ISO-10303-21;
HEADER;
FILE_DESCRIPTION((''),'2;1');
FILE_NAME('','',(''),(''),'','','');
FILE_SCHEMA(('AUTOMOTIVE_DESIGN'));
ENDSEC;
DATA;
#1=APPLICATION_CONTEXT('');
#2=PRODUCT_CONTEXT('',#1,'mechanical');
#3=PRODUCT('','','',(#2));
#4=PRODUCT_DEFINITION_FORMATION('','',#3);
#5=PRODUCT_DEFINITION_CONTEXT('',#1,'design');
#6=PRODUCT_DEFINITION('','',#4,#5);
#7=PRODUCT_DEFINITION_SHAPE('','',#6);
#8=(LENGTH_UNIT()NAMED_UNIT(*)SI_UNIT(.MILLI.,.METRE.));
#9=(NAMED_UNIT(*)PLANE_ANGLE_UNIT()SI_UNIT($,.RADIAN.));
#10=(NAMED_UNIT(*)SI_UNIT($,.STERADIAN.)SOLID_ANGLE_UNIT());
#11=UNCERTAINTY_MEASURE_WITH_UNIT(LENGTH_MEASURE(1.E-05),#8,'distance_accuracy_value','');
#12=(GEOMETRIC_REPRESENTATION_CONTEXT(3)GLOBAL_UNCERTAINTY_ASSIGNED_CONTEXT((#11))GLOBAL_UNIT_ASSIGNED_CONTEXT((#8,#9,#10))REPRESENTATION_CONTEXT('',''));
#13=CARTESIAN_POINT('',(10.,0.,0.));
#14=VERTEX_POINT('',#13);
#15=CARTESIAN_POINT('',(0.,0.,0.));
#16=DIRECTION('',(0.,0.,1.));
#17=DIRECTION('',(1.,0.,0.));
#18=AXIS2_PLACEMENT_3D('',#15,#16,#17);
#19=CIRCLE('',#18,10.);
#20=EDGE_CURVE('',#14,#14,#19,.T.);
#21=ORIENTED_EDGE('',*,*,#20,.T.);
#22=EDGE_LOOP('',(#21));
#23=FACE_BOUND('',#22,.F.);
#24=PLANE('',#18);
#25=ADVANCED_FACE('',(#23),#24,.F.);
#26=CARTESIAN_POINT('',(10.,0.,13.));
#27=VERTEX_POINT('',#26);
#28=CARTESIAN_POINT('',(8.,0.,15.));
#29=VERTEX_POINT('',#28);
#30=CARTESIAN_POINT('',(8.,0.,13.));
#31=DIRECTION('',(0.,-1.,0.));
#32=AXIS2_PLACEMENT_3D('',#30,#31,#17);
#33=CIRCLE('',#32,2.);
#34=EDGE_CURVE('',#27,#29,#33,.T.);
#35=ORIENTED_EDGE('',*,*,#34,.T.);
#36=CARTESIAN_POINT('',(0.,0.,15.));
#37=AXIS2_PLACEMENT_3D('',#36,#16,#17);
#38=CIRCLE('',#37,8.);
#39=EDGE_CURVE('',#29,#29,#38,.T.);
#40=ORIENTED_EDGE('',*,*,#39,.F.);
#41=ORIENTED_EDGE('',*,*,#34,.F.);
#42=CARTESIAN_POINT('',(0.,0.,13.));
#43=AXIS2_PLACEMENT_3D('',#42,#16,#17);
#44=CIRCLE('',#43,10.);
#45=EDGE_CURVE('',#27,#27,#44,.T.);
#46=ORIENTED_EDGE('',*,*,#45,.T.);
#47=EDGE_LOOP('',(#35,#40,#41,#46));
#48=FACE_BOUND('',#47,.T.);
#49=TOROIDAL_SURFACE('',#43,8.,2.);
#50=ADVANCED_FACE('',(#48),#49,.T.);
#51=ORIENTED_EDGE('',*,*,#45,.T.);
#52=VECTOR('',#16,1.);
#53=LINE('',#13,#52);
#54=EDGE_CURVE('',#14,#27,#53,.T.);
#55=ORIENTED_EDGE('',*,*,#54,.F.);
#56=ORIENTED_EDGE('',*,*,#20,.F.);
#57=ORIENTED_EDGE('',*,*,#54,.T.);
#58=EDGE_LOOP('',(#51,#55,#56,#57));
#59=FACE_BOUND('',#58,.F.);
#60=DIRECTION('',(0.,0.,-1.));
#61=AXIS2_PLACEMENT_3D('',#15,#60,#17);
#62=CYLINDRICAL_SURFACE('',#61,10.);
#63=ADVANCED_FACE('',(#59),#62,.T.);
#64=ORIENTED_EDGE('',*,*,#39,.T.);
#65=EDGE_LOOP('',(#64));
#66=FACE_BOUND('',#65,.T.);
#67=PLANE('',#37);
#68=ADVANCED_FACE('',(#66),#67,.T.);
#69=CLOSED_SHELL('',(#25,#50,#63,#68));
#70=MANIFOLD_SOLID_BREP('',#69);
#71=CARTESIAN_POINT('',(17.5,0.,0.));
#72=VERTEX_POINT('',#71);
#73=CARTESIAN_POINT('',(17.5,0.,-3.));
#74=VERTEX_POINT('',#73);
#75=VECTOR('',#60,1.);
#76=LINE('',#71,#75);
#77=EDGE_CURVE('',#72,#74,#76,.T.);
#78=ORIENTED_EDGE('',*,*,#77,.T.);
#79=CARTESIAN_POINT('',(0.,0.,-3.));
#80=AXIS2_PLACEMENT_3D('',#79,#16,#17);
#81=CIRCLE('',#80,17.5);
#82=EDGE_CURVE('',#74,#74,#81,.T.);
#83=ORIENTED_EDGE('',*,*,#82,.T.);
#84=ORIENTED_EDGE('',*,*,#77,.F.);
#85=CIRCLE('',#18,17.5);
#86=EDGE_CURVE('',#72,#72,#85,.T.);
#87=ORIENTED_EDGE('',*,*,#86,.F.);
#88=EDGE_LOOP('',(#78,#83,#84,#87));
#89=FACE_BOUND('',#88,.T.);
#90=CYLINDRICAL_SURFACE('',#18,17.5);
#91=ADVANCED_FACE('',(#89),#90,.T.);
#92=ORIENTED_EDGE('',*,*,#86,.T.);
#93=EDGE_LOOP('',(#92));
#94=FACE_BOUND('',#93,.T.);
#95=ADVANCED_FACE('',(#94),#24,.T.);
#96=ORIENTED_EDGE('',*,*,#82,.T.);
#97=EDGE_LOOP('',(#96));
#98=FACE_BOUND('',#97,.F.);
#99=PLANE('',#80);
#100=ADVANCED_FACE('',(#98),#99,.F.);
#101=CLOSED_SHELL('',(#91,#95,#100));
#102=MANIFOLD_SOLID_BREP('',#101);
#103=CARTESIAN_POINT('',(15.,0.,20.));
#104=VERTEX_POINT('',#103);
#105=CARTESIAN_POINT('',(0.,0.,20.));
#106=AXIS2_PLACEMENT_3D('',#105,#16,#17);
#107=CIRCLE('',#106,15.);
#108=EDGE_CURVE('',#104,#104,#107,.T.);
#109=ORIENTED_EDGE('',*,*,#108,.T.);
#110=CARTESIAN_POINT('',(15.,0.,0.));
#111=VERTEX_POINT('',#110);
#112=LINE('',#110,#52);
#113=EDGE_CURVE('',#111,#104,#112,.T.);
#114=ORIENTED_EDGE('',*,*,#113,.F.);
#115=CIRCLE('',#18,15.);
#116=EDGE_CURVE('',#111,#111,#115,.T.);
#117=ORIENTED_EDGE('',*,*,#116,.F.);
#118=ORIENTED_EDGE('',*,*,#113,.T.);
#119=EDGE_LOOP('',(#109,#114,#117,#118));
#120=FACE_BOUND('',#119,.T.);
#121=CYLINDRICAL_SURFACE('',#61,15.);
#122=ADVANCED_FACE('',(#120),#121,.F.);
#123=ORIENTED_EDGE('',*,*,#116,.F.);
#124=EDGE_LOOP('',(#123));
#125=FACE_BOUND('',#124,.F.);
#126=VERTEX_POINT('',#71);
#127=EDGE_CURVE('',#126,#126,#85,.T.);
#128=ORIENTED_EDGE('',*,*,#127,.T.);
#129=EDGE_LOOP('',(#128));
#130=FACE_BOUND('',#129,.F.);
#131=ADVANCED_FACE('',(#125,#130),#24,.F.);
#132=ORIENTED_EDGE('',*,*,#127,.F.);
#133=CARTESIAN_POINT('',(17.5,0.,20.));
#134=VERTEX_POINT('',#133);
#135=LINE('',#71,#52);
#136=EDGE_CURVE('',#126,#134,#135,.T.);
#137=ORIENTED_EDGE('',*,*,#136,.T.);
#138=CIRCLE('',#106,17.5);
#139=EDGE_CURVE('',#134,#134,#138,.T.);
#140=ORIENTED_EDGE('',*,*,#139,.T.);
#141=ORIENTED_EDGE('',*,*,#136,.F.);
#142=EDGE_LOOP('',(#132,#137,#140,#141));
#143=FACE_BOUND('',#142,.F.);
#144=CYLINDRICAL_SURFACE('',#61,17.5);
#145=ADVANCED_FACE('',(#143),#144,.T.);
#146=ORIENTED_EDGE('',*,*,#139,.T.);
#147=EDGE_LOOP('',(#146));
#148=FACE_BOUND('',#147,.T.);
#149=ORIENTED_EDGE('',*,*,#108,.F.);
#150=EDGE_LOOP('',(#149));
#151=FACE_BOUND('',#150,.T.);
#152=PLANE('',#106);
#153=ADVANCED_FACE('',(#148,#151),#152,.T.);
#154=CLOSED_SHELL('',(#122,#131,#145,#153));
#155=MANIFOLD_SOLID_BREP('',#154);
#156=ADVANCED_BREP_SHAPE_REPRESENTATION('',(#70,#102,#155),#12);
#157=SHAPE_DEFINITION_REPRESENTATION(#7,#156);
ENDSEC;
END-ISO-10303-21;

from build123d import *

# Parameters (mm, degrees)
F0_R     = 17.5
F0_R_2   = 15
F1_DEPTH = 20
F2_R     = 10
F3_DEPTH = 15
F4_R     = 17.5
F5_DEPTH = 3
F6_R     = 2


with BuildPart() as f1:
    # F0 (on Top) → F1 (new body)
    with BuildSketch(Plane.XY):
        Circle(F0_R)
        Circle(F0_R_2, mode=Mode.SUBTRACT)
    extrude(amount=F1_DEPTH)


with BuildPart() as f3:
    # F2 (on Top) → F3 (new body)
    with BuildSketch(Plane.XY):
        Circle(F2_R)
    extrude(amount=F3_DEPTH)

    # F6
    f6_edges = [f3.edges().sort_by_distance(p)[0] for p in [
        (-10, 0, 15),
    ]]
    fillet(f6_edges, radius=F6_R)


with BuildPart() as f5:
    # F4 (on Top) → F5 (new body)
    with BuildSketch(Plane.XY):
        Circle(F4_R)
    extrude(amount=-F5_DEPTH)


solid = Compound([f1.part, f3.part, f5.part])
